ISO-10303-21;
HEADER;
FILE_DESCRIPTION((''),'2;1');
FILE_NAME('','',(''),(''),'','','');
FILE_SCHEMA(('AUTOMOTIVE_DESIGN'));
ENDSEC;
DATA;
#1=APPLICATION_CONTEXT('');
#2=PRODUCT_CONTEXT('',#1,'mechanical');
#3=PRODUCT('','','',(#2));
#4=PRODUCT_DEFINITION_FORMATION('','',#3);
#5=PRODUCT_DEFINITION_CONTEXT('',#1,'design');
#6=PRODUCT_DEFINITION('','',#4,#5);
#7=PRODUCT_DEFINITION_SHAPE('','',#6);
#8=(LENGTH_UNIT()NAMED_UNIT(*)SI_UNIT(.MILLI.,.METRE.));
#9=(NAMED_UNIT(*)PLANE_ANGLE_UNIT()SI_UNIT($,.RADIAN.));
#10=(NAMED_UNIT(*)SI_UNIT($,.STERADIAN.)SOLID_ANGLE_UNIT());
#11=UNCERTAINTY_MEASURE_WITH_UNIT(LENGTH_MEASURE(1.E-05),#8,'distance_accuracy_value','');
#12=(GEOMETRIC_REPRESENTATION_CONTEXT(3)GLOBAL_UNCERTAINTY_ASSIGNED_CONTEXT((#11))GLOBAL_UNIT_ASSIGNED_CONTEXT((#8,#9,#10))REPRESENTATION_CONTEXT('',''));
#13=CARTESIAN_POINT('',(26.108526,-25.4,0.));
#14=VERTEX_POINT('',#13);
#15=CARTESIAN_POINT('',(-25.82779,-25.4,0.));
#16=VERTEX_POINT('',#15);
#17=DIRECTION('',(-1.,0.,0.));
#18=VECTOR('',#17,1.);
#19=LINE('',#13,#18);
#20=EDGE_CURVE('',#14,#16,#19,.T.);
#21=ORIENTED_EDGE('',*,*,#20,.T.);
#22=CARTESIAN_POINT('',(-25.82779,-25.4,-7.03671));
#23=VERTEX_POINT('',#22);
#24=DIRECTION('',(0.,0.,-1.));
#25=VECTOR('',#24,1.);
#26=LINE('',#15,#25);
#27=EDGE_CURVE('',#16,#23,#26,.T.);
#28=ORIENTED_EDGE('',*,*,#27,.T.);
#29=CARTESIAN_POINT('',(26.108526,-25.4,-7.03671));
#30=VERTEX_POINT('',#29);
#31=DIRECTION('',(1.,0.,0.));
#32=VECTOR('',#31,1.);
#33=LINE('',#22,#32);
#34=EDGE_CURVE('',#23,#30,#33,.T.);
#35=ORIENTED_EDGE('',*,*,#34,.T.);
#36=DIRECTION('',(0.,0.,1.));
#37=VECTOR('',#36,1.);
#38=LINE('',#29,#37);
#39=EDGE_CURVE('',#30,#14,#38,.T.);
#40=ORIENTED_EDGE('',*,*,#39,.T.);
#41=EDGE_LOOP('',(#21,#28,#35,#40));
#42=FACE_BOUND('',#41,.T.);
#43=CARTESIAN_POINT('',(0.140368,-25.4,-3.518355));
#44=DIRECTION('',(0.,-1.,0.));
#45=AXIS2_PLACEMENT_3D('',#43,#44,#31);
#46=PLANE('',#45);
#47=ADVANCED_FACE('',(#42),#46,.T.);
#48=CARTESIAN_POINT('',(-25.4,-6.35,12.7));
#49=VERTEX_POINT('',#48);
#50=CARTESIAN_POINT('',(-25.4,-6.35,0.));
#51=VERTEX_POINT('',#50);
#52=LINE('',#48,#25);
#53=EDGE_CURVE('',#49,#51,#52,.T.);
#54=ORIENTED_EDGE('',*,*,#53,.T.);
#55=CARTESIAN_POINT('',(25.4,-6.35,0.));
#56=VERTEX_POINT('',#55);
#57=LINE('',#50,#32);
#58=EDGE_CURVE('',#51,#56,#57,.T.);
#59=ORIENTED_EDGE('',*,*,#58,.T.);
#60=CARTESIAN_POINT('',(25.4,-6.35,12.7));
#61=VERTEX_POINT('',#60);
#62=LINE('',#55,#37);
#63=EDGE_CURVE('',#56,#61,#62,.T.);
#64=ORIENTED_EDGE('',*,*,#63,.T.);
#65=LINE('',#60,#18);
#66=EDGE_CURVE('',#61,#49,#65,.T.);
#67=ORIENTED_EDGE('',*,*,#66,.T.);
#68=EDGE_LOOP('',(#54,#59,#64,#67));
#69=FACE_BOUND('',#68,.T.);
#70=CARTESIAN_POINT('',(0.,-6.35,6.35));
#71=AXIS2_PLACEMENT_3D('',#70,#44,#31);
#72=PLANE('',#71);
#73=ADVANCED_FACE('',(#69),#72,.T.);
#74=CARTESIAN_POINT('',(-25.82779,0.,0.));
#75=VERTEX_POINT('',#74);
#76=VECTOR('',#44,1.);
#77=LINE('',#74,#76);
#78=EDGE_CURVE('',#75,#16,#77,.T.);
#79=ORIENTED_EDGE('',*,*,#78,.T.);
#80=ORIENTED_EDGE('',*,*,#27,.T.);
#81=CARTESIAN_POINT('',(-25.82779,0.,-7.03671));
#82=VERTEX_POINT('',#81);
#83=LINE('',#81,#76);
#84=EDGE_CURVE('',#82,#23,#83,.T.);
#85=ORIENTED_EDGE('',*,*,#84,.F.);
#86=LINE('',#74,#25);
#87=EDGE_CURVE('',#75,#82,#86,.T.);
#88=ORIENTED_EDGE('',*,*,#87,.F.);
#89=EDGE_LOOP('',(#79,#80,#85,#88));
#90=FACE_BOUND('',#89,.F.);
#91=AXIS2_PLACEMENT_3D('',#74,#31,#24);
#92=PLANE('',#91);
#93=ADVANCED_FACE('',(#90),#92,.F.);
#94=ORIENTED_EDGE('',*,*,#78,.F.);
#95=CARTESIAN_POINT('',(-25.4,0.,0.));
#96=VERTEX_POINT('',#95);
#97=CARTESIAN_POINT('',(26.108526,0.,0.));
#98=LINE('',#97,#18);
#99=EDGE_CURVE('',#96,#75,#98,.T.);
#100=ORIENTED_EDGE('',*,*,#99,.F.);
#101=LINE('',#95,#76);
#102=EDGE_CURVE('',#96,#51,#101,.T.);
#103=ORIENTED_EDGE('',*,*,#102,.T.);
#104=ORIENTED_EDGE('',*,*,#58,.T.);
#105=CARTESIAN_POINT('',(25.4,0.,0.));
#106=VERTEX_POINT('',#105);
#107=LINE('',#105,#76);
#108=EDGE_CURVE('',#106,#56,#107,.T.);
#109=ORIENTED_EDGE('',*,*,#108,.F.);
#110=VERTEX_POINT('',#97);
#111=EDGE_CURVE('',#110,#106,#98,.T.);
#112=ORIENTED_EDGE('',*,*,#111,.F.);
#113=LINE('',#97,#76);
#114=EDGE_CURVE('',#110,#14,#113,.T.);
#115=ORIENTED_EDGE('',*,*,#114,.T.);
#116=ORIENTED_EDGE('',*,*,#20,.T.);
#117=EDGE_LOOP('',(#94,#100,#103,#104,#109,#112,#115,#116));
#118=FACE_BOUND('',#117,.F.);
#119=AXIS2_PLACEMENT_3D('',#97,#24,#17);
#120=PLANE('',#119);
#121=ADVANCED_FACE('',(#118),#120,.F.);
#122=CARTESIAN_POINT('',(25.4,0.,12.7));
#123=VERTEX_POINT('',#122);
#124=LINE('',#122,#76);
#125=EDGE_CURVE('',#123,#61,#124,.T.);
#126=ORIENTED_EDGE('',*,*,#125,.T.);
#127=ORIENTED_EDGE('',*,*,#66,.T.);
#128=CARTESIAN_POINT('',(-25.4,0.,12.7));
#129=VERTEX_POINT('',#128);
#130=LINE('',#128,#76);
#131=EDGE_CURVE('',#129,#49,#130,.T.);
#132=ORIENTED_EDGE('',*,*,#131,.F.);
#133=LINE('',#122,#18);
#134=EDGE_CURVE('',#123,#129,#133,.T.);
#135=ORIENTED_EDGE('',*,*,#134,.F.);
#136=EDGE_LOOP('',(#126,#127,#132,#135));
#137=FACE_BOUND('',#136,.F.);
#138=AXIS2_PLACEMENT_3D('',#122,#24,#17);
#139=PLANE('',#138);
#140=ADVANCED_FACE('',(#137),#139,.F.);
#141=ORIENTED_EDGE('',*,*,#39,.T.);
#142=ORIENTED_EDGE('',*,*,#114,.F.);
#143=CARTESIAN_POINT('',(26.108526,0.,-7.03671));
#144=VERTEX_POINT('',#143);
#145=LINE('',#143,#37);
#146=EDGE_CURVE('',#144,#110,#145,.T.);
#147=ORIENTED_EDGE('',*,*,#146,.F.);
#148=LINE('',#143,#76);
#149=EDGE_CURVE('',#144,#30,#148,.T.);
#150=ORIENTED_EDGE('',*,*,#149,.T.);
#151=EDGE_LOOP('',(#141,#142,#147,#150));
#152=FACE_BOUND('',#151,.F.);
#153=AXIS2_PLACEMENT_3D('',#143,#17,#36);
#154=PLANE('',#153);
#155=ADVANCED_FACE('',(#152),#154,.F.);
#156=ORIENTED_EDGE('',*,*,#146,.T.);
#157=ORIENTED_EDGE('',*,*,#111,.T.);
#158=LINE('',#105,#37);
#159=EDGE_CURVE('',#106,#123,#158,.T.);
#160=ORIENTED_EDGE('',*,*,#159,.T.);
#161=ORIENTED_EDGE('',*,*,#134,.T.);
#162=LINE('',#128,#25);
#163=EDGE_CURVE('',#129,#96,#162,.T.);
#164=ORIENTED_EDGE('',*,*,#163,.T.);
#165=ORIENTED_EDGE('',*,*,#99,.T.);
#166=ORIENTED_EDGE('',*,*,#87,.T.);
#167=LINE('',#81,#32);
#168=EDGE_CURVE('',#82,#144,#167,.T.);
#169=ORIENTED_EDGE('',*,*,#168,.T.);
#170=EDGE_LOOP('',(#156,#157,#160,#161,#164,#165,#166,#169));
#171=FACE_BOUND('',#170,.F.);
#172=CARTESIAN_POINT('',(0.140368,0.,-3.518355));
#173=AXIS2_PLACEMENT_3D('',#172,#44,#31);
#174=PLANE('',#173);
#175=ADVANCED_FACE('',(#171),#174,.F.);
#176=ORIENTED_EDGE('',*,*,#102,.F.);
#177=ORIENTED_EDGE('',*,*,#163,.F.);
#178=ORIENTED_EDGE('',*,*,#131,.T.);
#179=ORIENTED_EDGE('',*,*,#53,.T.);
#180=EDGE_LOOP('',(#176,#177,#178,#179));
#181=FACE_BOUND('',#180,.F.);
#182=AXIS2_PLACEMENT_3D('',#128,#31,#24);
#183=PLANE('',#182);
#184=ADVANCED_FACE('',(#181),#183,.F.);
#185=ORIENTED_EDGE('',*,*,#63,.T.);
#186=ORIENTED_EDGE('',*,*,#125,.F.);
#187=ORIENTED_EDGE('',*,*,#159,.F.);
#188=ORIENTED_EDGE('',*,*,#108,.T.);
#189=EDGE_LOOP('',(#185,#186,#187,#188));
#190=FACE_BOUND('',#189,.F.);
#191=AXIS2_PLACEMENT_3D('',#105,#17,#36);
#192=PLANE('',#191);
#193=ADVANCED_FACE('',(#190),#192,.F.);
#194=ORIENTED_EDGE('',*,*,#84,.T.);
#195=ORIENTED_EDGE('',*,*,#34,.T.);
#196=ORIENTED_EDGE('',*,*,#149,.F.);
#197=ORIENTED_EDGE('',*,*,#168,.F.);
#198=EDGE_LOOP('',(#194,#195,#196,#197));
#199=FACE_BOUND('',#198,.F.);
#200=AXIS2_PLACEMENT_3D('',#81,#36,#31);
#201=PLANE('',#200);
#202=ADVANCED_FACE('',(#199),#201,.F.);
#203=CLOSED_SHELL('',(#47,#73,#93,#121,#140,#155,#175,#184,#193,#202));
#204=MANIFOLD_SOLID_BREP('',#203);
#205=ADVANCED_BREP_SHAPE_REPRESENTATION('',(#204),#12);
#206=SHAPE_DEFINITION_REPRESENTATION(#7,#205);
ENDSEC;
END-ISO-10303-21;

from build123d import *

# Parameters (mm, degrees)
F1_DEPTH = 6.35
F3_DEPTH = 25.4
F4_DEPTH = 25.4


with BuildPart() as f1:
    # F0 (on Front) → F1 (new body)
    with BuildSketch(Plane.XZ):
        Polygon((-25.4, 0), (0, 0), (25.4, 0), (25.4, 12.7), (-25.4, 12.7), align=None)
    extrude(amount=F1_DEPTH)

    # F2 (on Front) → F3 (join)
    with BuildSketch(Plane.XZ):
        Polygon((26.108526, -7.03671), (26.108526, 0), (0, 0), (-25.82779, 0), (-25.82779, -7.03671), align=None)
    extrude(amount=F3_DEPTH)

    # F2 (on Front) → F4 (join)
    with BuildSketch(Plane.XZ):
        Polygon((26.108526, -7.03671), (26.108526, 0), (0, 0), (-25.82779, 0), (-25.82779, -7.03671), align=None)
    extrude(amount=F4_DEPTH)


solid = f1.part
